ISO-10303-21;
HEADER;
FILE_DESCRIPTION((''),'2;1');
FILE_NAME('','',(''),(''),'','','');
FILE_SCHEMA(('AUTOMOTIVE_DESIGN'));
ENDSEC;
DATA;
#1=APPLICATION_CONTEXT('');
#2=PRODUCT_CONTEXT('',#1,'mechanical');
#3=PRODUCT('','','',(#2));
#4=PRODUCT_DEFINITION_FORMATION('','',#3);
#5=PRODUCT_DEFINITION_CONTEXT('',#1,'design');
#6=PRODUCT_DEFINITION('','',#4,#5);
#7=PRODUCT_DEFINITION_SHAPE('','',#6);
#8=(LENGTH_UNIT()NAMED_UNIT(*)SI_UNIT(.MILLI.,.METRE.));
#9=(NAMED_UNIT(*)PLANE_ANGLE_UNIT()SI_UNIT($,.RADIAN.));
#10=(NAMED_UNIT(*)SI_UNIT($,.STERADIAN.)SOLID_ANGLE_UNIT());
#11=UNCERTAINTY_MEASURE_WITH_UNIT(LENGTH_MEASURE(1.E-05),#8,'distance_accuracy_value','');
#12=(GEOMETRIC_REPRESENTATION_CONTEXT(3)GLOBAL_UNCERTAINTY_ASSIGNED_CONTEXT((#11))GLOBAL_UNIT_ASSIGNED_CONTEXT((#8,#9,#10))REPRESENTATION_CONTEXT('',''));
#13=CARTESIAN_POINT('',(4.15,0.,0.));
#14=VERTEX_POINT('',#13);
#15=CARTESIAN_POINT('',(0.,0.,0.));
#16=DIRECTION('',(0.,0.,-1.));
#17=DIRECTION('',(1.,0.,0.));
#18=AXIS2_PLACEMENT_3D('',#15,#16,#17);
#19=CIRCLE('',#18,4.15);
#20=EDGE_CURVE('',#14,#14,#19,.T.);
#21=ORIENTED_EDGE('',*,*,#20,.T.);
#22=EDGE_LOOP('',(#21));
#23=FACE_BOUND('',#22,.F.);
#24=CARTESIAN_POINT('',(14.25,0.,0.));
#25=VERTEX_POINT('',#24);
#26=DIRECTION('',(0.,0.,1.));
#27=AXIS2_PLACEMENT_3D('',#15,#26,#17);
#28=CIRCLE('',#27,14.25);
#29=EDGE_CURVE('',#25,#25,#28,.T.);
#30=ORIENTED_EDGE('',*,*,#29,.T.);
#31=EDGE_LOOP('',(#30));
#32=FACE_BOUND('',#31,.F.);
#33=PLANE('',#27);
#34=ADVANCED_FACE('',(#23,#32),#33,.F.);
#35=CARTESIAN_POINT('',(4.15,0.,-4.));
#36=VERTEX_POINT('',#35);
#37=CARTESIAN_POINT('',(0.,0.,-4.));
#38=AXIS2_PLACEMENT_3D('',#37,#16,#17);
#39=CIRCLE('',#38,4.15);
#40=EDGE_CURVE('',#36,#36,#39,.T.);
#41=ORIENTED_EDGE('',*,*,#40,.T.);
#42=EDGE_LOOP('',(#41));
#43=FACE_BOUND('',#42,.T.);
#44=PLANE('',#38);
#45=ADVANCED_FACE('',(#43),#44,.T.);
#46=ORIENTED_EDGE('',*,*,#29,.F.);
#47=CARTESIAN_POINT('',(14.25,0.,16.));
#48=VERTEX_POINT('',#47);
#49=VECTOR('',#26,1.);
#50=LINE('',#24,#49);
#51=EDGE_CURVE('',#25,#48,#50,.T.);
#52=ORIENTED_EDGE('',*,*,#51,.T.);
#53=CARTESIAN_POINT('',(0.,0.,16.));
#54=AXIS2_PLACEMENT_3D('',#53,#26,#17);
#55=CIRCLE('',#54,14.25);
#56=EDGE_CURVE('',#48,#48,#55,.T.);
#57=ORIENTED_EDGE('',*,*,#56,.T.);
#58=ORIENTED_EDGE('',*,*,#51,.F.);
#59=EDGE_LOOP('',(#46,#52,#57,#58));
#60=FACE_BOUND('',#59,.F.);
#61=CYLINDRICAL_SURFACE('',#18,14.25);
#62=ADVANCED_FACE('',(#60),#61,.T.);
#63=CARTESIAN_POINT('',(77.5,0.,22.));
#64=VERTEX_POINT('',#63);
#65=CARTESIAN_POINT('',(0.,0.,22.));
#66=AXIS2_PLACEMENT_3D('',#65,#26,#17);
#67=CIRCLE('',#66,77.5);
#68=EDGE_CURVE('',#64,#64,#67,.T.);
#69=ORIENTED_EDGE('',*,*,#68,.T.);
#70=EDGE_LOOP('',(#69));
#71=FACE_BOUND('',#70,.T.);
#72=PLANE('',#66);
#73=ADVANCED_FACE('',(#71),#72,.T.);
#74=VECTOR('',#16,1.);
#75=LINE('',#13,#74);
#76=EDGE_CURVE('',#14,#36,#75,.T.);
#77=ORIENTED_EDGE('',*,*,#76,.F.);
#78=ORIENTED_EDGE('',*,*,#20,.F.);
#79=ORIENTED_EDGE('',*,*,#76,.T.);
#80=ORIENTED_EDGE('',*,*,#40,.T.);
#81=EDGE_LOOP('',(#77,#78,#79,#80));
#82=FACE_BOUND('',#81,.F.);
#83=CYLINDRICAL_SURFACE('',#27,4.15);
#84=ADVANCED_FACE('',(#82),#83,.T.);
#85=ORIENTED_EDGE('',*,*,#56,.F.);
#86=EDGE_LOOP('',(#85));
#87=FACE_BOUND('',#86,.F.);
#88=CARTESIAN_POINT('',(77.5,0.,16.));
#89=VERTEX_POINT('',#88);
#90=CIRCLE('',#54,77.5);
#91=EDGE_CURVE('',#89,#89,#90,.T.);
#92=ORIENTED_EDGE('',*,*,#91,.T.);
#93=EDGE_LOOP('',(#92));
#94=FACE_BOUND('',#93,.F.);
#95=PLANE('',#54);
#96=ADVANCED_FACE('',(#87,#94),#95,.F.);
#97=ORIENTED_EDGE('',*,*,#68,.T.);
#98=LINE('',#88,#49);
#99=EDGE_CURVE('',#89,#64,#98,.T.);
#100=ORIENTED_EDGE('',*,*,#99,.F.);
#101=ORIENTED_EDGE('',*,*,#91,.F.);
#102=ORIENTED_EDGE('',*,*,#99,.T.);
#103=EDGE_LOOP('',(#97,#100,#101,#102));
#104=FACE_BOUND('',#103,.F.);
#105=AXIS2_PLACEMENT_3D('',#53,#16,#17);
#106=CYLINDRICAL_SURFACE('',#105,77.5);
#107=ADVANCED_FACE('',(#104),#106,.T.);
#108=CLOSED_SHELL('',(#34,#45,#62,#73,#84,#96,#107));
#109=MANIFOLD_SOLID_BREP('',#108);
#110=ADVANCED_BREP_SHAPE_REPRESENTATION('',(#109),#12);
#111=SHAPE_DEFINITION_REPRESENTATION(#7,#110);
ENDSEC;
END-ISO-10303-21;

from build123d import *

# Parameters (mm, degrees)
F0_R     = 14.25
F0_R_2   = 2.5
F1_DEPTH = 16
F2_DEPTH = 19
F3_R     = 77.5
F4_DEPTH = 6
F5_R     = 4.15
F6_DEPTH = 4


with BuildPart() as f1:
    # F0 (on Top) → F1 (new body)
    with BuildSketch(Plane.XY):
        Circle(F0_R)
        Circle(F0_R_2, mode=Mode.SUBTRACT)
    extrude(amount=F1_DEPTH)

    # F0 (on Top) → F2 (join)
    with BuildSketch(Plane.XY):
        Circle(F0_R_2)
    extrude(amount=F2_DEPTH)

    # F3 (on face) → F4 (join)
    with BuildSketch(Plane.XY.offset(16)):
        Circle(F3_R)
    extrude(amount=F4_DEPTH)

    # F5 (on face) → F6 (join)
    with BuildSketch(Plane(origin=(0, 0, 0), x_dir=(1, 0, 0), z_dir=(0, 0, -1))):
        Circle(F5_R)
    extrude(amount=F6_DEPTH)


solid = f1.part
